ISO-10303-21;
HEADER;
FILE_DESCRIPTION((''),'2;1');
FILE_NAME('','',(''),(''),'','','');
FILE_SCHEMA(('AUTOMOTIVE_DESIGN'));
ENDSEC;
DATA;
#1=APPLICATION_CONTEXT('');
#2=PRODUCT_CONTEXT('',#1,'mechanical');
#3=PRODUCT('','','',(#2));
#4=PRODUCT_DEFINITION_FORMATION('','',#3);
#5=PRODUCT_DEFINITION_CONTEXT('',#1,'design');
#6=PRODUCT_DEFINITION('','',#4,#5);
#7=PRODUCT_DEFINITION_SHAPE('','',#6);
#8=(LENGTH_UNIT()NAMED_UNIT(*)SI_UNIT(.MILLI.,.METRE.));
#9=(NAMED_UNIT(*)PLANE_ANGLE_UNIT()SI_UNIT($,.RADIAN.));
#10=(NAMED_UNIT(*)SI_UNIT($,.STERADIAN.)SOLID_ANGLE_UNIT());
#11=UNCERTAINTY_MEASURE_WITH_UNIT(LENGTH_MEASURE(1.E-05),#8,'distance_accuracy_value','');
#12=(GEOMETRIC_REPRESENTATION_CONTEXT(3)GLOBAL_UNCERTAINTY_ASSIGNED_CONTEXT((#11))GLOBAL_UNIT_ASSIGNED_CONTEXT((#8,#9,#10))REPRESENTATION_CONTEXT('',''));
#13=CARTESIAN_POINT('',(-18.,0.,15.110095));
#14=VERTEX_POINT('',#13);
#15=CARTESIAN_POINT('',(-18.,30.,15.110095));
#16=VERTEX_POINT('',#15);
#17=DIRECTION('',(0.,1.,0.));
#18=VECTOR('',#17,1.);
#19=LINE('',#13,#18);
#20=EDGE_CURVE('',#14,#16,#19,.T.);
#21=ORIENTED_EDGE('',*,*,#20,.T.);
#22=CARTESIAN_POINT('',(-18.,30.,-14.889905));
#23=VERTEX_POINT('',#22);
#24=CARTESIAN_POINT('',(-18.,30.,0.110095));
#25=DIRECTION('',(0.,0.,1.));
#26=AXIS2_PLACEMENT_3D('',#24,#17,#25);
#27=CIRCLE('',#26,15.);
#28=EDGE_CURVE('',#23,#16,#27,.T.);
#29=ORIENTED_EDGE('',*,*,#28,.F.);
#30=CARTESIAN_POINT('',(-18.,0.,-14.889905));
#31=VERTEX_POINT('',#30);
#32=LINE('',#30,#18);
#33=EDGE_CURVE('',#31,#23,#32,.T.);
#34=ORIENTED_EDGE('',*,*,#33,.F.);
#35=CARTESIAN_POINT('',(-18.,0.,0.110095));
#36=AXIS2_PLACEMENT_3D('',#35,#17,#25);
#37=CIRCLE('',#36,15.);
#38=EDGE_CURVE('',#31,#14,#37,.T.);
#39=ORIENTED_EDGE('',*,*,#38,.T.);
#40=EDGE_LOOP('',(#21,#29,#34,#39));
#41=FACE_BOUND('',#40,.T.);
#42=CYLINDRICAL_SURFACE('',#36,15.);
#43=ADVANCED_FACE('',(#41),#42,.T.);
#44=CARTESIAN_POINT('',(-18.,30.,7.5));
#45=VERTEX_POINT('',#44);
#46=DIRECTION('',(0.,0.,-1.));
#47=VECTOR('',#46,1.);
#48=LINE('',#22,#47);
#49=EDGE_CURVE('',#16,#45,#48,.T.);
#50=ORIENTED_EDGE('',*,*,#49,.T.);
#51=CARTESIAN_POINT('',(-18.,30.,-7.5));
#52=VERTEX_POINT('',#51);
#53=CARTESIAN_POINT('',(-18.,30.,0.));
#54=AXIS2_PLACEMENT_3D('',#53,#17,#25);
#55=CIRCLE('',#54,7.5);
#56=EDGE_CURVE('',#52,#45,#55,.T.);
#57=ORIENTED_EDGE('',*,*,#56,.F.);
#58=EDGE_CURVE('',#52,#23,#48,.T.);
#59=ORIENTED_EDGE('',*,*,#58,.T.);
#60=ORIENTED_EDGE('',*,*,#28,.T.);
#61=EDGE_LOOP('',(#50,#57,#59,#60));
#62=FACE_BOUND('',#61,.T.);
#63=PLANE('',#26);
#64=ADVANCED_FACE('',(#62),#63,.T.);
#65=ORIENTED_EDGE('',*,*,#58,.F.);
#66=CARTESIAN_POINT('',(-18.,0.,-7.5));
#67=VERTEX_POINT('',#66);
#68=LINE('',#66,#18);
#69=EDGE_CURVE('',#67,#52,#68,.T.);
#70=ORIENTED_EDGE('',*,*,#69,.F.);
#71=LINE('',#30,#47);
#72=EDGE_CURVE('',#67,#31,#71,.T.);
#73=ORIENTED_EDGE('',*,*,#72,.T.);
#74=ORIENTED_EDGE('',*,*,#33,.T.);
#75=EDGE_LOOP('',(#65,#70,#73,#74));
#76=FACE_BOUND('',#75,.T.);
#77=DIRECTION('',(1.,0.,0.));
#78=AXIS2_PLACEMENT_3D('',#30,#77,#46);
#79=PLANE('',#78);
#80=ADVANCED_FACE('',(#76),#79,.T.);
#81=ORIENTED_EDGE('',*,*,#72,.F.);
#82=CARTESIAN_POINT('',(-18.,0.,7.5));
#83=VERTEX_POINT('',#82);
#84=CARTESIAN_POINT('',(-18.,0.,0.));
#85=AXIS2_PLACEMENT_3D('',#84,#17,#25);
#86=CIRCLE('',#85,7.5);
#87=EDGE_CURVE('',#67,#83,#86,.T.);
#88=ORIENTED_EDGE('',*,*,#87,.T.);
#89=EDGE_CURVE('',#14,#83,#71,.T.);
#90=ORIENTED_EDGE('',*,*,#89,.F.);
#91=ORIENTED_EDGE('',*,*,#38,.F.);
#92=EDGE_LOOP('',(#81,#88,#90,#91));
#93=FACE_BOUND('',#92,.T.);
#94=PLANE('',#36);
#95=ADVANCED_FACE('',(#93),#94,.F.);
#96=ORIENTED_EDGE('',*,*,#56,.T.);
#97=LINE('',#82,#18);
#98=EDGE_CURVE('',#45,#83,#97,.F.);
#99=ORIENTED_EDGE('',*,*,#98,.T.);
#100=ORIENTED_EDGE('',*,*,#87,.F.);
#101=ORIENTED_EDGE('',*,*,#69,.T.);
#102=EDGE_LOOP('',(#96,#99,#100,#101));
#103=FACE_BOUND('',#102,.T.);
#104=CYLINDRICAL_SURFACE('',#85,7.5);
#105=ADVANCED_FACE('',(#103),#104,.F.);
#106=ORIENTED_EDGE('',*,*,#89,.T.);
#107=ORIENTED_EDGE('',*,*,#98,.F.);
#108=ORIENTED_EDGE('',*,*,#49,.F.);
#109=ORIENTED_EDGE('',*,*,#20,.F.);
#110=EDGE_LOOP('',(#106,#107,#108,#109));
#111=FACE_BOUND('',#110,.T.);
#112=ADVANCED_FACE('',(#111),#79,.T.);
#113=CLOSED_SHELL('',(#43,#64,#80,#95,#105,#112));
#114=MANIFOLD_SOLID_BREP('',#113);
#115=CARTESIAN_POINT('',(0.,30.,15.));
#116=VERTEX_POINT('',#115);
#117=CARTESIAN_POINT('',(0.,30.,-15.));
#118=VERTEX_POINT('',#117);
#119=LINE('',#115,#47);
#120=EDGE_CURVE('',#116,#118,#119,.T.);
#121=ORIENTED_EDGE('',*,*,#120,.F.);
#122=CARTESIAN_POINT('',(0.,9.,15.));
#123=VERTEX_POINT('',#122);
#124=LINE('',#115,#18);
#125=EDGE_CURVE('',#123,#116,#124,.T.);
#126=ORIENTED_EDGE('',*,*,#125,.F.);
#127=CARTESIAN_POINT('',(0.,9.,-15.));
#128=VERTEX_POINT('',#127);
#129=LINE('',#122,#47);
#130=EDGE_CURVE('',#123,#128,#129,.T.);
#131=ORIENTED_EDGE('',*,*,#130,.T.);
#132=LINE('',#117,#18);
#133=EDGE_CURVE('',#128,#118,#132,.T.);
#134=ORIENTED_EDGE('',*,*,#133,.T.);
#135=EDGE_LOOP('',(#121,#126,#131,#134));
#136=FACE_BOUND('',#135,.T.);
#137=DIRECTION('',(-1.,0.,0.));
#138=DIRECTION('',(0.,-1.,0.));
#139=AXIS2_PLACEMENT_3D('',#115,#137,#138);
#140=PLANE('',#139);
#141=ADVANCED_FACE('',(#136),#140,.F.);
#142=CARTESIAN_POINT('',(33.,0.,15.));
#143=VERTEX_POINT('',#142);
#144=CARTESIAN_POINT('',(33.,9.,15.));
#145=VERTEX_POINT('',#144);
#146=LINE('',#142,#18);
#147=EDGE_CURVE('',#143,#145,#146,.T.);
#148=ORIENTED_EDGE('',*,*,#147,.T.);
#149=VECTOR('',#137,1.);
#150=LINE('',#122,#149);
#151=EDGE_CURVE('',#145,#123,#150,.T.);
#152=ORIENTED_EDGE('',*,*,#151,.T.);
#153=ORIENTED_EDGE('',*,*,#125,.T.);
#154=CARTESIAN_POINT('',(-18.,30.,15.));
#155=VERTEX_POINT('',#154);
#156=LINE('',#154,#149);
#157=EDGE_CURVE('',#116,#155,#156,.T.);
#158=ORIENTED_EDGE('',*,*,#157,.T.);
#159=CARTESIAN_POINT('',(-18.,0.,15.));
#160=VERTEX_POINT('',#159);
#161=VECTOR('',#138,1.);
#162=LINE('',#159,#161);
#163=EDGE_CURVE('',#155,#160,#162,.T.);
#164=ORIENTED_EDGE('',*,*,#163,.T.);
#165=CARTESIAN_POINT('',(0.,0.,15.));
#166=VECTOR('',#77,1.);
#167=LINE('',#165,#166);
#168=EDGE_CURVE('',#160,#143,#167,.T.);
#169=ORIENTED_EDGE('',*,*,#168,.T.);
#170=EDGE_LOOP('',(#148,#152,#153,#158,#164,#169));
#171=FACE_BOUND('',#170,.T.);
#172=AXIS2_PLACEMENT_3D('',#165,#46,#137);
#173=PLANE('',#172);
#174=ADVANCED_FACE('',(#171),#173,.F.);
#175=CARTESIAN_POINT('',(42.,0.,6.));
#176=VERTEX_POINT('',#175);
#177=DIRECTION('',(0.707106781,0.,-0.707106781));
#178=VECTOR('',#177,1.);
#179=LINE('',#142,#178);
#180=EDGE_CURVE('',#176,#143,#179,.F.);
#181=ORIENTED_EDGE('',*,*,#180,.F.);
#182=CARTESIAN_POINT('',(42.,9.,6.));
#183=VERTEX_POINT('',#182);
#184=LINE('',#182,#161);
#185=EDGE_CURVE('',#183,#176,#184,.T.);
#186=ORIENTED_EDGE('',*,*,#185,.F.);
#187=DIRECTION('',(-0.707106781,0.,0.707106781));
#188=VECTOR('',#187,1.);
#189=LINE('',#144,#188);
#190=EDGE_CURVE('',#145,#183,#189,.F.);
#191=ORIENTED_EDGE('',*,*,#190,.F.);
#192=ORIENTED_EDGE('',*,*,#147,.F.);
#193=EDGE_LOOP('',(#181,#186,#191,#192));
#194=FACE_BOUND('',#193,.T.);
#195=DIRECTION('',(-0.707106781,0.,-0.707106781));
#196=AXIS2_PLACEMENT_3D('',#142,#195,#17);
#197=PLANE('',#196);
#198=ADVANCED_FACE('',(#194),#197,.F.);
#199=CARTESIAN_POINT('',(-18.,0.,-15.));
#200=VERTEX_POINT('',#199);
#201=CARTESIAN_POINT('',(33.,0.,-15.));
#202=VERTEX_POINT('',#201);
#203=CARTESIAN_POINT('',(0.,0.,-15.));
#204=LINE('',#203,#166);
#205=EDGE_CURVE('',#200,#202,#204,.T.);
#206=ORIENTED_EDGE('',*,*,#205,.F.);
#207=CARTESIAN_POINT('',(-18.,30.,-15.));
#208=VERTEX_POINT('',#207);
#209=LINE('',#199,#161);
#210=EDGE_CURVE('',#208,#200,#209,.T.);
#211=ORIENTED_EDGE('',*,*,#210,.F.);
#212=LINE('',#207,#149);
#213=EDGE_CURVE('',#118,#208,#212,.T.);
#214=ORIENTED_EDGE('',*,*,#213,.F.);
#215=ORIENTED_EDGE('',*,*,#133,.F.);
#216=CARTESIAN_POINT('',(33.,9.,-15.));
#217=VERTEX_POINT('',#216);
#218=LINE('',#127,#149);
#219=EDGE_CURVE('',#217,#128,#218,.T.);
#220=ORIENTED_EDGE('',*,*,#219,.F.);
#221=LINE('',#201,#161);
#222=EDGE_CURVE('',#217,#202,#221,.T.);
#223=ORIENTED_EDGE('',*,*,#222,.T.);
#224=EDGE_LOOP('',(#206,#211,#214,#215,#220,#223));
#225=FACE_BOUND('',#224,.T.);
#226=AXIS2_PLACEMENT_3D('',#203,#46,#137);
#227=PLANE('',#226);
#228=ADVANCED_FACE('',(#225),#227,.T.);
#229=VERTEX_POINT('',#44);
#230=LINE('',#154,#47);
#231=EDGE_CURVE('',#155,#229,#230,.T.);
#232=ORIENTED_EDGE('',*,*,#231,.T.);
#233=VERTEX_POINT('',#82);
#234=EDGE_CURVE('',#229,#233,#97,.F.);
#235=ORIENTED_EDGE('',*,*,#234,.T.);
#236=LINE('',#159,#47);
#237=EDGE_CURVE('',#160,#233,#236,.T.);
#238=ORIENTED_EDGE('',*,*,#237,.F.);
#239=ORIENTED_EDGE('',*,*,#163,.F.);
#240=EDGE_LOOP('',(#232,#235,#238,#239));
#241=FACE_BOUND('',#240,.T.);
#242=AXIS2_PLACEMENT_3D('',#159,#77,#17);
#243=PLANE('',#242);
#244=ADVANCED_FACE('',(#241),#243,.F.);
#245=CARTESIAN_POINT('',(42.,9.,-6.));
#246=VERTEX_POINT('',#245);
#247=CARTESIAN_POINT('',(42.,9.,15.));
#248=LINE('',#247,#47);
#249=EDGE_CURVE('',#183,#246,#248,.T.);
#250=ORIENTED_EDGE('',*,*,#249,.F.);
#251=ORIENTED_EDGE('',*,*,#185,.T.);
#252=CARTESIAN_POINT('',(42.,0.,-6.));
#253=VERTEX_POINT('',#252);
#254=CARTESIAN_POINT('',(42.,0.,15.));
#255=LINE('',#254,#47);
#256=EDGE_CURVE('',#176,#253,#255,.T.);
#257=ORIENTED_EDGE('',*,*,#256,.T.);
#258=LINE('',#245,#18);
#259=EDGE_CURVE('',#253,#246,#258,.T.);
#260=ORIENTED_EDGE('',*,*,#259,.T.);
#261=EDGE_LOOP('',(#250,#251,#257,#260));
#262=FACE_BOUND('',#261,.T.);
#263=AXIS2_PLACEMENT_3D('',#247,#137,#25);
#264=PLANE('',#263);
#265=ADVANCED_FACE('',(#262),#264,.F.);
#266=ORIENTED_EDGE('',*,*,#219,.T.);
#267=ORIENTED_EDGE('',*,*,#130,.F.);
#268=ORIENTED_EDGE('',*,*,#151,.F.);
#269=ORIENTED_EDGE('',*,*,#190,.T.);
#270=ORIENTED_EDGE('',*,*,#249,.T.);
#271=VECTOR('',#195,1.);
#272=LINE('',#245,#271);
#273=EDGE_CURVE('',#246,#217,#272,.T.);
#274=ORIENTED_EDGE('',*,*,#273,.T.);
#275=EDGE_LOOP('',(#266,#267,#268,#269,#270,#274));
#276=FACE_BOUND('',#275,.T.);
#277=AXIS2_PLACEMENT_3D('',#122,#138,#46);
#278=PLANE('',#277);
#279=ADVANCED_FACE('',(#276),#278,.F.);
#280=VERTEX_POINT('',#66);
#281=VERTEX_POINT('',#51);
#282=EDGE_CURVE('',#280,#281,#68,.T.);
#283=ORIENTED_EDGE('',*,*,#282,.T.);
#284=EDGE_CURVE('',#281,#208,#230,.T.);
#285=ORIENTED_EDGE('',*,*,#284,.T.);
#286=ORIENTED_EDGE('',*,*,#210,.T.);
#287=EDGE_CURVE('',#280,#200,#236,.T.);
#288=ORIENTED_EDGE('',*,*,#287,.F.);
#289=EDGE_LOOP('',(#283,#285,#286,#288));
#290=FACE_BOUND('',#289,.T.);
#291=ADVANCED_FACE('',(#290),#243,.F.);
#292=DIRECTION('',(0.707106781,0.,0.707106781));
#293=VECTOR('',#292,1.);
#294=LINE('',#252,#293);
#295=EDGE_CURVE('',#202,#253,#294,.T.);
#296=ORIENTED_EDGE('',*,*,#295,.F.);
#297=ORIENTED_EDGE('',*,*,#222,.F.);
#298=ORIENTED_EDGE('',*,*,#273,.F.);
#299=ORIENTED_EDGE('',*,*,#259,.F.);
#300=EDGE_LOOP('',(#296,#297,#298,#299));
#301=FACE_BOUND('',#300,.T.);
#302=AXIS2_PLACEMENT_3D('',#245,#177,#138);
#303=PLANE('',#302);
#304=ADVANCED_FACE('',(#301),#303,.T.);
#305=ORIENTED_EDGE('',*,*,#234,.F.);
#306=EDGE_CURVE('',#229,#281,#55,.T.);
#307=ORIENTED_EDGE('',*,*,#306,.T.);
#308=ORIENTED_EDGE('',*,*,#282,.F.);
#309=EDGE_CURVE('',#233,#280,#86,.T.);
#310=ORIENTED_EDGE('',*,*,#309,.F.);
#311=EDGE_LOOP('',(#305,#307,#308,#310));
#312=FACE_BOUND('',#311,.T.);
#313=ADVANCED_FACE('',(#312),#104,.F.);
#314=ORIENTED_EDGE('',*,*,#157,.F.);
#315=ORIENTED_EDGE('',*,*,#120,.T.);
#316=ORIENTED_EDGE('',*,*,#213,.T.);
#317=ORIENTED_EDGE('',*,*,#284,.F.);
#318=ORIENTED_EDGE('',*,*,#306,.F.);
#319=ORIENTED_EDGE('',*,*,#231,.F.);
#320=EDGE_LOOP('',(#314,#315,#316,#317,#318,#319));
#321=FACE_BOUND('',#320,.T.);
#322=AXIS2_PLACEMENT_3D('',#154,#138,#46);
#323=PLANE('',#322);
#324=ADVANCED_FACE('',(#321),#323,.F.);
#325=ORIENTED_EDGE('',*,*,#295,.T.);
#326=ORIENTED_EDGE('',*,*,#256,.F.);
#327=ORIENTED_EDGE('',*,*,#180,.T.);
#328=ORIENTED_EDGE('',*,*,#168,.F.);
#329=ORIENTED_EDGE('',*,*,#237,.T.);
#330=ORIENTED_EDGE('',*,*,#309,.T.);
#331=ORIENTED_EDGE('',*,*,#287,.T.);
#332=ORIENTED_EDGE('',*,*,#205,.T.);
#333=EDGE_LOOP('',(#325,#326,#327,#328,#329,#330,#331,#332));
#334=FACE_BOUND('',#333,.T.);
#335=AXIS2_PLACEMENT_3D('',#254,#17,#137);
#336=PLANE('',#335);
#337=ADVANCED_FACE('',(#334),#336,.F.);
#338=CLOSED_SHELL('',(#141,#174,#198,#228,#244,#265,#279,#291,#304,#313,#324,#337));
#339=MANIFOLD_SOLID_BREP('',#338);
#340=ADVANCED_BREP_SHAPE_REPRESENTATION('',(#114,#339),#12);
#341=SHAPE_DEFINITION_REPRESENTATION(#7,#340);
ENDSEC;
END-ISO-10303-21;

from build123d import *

# Parameters (mm, degrees)
BOSS_EXTRUDE1_DEPTH      = 15
BOSS_EXTRUDE1_DEPTH_BACK = 15
BOSS_EXTRUDE2_DEPTH      = 30
CHAMFER1_SIZE            = 9
CHAMFER2_SIZE            = 9
SKETCH3_R                = 7.5
CUT_EXTRUDE2_DEPTH       = 54.780246911


with BuildPart() as part:
    # Sketch1 → Boss-Extrude1 (new, two sides: drawn at the far end of the back side and taken through both)
    with BuildSketch(Plane.XY.offset(-BOSS_EXTRUDE1_DEPTH_BACK)):
        Polygon((-18, 30), (0, 30), (0, 9), (42, 9), (42, 0), (0, 0), (-18, 0), align=None)
    extrude(amount=BOSS_EXTRUDE1_DEPTH + BOSS_EXTRUDE1_DEPTH_BACK)

    # Chamfer1
    chamfer1_edges = [part.edges().sort_by_distance(p)[0] for p in [
        (42, 4.5, 15),
    ]]
    chamfer(chamfer1_edges, length=CHAMFER1_SIZE)

    # Chamfer2
    chamfer2_edges = [part.edges().sort_by_distance(p)[0] for p in [
        (42, 4.5, -15),
    ]]
    chamfer(chamfer2_edges, length=CHAMFER2_SIZE)


with BuildPart() as body_2:
    # Sketch2 → Boss-Extrude2 (new body)
    with BuildSketch(Plane(origin=(0, 30, 0), x_dir=(1, 0, 0), z_dir=(0, 1, 0))):
        with BuildLine():
            Line((-18, 14.889905433), (-18, -15.110094567))
            ThreePointArc((-18, -15.110094567), (-33, -0.110094567), (-18, 14.889905433))
        make_face()
    extrude(amount=-BOSS_EXTRUDE2_DEPTH)


with BuildPart() as cut_extrude2_tool:
    # Sketch3 → Cut-Extrude2 (new, through all)
    with BuildSketch(Plane(origin=(0, 30, 0), x_dir=(1, 0, 0), z_dir=(0, 1, 0))):
        with Locations((-18, 0)):
            Circle(SKETCH3_R)
    extrude(amount=-CUT_EXTRUDE2_DEPTH)


with BuildPart() as part_1:
    add(part.part)

    # Cut-Extrude2: cut by cut_extrude2_tool
    add(cut_extrude2_tool.part, mode=Mode.SUBTRACT)


with BuildPart() as body_2_1:
    add(body_2.part)

    # Cut-Extrude2: cut by cut_extrude2_tool
    add(cut_extrude2_tool.part, mode=Mode.SUBTRACT)


solid = Compound([part_1.part, body_2_1.part])
